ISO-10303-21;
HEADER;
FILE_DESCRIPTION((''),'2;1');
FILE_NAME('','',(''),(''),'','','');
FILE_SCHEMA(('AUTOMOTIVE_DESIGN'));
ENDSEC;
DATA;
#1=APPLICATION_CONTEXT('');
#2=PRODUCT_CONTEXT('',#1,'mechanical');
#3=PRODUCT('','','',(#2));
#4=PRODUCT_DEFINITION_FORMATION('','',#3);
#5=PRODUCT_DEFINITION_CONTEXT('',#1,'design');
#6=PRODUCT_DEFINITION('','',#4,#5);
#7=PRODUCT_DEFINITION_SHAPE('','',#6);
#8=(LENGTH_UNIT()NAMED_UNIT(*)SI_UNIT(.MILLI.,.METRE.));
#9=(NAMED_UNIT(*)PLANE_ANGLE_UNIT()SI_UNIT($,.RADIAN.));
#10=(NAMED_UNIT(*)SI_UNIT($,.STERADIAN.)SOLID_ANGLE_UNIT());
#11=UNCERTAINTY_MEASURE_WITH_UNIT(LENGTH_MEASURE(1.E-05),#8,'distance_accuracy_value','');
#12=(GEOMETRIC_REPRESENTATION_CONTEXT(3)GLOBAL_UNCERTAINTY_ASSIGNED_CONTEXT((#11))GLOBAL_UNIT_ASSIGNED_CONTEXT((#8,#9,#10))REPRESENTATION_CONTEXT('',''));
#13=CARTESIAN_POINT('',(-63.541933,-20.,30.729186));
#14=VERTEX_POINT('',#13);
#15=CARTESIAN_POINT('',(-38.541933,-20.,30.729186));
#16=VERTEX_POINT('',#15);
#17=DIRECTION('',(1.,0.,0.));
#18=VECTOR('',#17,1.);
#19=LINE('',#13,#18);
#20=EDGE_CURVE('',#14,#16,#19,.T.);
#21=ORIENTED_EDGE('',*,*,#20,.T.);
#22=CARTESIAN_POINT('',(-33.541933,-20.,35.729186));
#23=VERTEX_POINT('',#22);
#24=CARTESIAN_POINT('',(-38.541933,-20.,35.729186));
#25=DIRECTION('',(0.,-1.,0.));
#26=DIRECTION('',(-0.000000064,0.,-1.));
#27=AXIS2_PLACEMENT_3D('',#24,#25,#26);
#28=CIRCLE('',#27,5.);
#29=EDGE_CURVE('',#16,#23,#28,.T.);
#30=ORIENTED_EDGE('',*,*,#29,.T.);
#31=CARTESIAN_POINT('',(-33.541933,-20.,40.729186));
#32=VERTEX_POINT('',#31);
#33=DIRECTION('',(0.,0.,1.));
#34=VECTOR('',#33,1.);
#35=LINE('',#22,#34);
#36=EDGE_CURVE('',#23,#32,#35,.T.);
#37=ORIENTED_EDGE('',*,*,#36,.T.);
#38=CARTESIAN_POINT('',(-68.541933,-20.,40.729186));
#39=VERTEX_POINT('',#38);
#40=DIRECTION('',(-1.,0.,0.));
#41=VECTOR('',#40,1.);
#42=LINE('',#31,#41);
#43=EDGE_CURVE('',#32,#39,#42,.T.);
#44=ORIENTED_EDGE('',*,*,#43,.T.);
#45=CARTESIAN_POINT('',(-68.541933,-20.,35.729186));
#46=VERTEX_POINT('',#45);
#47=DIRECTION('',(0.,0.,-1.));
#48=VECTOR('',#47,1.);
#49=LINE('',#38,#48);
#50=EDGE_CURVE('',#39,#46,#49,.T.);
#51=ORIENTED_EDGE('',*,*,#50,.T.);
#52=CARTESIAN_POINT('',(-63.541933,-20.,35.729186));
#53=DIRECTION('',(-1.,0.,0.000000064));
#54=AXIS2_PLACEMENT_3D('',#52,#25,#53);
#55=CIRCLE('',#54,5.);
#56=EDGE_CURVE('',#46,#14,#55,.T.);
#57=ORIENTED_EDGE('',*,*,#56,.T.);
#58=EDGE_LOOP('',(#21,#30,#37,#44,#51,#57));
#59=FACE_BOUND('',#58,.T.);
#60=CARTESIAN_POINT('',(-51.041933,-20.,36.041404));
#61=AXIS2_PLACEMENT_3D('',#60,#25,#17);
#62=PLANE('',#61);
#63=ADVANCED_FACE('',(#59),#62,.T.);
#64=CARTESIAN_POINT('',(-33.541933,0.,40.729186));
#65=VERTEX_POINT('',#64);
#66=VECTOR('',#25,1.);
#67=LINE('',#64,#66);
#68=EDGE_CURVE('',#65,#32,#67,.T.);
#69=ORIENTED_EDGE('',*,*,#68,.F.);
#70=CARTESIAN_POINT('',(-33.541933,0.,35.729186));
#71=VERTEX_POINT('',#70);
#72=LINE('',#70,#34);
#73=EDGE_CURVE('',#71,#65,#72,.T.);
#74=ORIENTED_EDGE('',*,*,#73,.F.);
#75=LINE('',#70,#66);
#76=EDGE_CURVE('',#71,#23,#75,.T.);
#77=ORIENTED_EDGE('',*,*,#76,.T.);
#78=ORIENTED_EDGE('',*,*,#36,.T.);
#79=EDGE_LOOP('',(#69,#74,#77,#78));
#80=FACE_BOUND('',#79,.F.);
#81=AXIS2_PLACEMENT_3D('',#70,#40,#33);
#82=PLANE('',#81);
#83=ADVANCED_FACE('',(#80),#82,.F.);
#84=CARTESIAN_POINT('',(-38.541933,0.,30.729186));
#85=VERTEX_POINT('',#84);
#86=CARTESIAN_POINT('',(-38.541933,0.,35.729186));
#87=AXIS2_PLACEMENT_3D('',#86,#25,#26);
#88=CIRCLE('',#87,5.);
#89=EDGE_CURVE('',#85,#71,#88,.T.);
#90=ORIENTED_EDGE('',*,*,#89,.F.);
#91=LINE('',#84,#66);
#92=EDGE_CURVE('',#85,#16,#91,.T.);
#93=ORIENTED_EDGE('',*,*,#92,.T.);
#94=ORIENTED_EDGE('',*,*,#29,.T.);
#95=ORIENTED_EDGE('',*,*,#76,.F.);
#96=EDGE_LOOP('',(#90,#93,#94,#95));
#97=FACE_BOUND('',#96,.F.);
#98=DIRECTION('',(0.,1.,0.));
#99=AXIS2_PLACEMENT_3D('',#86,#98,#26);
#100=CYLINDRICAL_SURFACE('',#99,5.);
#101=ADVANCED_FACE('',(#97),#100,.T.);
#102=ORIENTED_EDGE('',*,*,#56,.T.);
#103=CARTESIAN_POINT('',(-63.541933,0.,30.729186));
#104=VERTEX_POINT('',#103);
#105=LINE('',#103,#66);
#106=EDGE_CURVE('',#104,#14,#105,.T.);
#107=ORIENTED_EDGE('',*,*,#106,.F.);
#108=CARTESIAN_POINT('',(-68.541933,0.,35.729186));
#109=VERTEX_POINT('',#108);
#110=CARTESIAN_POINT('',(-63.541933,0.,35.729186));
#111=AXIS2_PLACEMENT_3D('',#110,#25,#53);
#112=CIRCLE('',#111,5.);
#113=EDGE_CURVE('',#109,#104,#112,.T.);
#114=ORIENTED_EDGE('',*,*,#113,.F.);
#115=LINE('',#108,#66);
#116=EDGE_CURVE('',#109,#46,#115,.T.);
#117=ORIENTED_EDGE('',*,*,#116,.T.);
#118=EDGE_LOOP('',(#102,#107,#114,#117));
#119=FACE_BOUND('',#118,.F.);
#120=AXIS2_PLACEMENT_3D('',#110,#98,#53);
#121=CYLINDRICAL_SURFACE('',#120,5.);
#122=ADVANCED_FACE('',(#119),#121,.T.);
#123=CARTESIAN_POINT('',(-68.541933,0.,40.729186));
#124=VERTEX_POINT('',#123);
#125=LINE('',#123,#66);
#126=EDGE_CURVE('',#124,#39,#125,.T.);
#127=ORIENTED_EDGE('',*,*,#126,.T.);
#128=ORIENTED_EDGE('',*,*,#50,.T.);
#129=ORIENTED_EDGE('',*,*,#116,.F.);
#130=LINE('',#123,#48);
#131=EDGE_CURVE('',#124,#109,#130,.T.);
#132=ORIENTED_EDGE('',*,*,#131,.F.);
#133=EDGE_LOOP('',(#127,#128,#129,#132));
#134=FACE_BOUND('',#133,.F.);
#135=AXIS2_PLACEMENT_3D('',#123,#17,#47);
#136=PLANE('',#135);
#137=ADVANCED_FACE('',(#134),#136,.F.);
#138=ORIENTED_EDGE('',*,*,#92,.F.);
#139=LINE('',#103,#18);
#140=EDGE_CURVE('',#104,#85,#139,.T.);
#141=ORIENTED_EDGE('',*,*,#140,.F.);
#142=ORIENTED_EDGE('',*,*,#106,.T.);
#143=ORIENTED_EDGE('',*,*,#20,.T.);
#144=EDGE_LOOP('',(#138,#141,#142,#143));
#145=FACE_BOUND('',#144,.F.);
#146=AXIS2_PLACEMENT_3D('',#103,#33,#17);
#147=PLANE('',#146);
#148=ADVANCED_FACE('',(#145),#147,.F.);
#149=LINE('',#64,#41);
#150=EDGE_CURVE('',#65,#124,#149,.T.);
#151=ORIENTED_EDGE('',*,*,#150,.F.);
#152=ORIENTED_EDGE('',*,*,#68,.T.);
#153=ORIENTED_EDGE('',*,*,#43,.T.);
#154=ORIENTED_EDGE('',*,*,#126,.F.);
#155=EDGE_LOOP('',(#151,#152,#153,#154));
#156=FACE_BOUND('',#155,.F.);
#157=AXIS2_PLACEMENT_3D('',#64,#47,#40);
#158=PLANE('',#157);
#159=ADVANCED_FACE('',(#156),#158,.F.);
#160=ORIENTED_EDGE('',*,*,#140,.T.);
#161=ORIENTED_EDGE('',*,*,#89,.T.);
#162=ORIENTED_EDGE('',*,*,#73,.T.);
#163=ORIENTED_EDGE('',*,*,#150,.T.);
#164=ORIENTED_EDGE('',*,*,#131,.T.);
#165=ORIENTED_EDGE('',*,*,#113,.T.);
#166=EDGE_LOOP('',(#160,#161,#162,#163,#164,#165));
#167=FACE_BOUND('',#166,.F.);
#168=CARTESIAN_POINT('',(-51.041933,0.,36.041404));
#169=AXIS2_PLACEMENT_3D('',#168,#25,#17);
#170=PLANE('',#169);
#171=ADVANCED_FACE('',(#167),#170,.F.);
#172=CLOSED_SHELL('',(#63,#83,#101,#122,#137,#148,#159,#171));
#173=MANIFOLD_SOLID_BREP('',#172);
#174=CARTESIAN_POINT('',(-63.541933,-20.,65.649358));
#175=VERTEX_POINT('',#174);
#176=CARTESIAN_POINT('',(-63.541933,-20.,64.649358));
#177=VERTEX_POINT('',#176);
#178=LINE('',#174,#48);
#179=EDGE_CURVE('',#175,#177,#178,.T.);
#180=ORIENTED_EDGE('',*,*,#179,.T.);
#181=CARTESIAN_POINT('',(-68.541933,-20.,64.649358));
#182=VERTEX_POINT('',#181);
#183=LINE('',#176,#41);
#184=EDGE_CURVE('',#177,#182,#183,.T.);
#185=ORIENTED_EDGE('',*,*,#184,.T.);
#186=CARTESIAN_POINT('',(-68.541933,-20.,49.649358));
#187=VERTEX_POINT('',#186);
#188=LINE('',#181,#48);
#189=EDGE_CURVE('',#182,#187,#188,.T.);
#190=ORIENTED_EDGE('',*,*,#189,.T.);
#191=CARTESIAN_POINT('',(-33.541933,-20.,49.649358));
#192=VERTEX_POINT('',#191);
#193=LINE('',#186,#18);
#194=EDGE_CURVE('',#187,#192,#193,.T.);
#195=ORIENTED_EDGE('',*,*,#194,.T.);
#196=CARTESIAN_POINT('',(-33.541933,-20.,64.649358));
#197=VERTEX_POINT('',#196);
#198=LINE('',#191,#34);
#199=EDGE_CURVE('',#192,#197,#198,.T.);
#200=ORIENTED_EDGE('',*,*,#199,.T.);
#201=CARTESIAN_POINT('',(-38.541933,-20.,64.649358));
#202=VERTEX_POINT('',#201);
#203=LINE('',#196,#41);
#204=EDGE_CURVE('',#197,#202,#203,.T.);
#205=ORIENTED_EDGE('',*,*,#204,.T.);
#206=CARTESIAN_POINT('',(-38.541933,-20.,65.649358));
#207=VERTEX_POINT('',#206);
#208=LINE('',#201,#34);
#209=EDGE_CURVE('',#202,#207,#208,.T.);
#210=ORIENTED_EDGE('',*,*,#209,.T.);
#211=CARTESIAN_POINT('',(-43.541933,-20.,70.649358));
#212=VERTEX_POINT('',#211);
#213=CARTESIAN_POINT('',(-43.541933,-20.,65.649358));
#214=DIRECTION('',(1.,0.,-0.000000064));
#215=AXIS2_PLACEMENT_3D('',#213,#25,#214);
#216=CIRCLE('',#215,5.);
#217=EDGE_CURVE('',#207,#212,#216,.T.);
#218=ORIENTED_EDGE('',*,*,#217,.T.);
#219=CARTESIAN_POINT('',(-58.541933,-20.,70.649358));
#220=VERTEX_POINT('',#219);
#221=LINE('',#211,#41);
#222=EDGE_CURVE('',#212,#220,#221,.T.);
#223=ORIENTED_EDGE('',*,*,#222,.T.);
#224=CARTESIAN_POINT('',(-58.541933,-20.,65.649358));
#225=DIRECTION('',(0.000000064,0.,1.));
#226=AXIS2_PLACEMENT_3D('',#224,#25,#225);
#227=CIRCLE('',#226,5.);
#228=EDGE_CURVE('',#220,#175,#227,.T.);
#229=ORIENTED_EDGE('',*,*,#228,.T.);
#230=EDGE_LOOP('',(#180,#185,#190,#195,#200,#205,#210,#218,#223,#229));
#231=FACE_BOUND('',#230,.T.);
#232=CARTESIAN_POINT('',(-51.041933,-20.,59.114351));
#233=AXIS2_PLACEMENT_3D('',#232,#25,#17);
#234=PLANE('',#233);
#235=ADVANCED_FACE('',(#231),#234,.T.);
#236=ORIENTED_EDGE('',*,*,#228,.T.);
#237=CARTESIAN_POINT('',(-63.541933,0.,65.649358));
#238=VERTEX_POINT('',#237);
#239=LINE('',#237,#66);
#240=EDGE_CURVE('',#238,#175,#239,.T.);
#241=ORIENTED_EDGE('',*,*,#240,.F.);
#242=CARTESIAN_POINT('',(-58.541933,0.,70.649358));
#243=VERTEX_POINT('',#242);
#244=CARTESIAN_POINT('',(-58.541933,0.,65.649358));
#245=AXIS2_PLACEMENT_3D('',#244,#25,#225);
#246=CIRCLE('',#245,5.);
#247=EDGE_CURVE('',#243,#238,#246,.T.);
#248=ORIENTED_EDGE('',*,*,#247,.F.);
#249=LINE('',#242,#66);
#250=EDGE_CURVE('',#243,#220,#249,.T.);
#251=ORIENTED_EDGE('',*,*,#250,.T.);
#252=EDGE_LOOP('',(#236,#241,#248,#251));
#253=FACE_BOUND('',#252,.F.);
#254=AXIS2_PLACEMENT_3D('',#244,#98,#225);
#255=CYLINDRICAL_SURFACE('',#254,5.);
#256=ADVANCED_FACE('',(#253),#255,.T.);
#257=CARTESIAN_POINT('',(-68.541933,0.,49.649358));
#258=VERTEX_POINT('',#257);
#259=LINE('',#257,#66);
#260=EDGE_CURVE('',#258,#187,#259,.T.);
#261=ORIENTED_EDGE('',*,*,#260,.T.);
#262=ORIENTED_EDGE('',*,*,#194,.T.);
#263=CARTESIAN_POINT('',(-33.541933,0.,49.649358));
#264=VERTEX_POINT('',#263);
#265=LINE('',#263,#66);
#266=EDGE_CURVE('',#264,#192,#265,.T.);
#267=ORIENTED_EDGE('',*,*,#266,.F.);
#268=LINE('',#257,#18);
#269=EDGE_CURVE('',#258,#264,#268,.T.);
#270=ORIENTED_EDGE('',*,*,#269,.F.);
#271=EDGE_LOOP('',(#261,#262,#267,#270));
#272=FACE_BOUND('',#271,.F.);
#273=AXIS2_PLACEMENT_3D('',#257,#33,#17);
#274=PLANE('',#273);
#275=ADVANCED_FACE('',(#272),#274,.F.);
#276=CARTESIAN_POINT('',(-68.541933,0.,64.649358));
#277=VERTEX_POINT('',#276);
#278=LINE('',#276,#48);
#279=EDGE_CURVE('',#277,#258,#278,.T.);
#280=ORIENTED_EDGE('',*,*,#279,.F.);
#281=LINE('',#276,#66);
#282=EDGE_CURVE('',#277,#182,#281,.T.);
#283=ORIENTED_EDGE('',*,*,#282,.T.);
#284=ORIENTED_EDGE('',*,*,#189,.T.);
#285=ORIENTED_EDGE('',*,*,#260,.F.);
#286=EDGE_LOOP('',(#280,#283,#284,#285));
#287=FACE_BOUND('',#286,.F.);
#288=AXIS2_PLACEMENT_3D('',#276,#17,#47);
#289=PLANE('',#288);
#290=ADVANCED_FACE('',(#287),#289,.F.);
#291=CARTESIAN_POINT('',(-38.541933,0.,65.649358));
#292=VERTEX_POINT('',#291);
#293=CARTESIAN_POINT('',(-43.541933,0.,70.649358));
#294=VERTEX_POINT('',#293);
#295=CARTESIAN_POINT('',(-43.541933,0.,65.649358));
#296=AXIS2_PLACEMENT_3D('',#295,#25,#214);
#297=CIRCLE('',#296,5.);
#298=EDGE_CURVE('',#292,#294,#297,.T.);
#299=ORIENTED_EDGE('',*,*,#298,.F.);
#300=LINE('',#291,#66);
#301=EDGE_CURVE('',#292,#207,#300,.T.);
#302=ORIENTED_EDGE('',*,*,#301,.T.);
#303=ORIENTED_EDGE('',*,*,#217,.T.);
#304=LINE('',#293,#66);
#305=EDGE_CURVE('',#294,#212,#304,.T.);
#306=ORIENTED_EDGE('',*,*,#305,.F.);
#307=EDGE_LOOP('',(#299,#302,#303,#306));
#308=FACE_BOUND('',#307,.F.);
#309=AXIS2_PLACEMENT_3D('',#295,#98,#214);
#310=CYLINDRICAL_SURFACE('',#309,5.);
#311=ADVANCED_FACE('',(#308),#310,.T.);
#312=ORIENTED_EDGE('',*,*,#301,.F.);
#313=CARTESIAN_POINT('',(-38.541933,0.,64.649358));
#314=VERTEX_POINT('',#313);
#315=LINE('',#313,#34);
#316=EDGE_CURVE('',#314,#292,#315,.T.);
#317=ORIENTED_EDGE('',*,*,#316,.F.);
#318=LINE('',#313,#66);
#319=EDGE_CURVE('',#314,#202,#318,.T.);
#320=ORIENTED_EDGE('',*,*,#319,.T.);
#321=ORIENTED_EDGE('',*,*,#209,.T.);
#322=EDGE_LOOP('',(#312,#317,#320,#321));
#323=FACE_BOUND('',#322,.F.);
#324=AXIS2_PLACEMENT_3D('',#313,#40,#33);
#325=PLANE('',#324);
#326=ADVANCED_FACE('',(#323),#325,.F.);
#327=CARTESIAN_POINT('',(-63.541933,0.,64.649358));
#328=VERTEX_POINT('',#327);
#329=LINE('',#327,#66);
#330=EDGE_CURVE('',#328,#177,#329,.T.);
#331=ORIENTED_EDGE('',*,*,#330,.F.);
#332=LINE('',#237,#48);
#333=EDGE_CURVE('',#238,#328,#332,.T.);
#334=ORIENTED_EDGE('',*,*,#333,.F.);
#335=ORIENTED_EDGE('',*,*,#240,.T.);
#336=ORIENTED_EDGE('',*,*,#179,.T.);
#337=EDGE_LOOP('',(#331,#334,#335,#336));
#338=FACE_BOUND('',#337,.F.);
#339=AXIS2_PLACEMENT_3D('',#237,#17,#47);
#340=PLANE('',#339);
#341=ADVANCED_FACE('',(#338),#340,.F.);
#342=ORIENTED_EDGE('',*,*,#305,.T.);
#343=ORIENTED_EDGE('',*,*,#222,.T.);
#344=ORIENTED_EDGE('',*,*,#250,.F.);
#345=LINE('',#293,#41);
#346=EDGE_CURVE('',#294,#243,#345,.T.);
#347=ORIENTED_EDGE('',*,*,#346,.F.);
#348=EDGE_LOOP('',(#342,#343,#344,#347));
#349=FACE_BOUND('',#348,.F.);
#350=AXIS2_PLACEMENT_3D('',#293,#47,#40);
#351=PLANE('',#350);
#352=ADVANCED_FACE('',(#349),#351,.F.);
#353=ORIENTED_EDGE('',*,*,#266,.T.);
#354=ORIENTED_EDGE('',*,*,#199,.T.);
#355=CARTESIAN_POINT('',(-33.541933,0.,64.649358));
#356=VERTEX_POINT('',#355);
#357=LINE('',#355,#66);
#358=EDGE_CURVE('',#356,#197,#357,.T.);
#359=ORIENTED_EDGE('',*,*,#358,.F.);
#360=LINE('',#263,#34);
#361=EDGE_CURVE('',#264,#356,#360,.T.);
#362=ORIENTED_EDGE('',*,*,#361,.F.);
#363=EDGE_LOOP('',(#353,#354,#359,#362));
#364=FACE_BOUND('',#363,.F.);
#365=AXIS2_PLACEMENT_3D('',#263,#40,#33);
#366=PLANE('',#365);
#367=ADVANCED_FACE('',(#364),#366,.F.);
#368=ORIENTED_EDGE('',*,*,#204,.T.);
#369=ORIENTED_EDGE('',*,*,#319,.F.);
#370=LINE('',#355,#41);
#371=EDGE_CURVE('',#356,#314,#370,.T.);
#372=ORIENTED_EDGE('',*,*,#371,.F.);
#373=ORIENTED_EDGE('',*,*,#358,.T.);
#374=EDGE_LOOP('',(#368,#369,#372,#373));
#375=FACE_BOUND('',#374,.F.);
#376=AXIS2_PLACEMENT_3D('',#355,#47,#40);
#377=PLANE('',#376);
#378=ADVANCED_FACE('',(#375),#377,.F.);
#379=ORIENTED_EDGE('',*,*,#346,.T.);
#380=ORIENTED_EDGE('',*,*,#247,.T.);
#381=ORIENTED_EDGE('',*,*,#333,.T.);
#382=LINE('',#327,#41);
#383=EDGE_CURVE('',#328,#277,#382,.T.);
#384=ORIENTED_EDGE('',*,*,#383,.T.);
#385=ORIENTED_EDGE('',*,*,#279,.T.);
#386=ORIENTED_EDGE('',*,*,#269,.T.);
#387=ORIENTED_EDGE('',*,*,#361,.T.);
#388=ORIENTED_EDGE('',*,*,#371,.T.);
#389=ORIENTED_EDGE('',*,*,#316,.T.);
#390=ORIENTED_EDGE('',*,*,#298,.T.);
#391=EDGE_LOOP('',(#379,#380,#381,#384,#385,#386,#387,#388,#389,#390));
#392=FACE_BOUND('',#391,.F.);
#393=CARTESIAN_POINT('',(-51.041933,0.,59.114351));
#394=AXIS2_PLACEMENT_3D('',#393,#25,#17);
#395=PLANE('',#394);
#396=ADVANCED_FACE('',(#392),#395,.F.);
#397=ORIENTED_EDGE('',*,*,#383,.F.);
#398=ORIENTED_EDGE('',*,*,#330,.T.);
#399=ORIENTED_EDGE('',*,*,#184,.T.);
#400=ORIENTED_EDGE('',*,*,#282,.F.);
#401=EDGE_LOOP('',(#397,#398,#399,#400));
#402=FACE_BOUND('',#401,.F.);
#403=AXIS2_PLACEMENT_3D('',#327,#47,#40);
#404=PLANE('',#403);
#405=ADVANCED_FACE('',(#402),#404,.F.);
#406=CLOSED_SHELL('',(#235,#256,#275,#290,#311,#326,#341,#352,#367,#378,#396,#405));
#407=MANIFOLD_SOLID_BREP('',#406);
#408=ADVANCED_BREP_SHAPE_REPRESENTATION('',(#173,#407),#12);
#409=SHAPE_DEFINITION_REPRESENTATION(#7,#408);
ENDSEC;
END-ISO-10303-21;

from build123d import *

# Parameters (mm, degrees)
F1_DEPTH = 20


with BuildPart() as f1:
    # F0 (on Front) → F1 (new body)
    with BuildSketch(Plane.XZ):
        with BuildLine():
            Line((-33.541933, 40.729186), (-68.541933, 40.729186))
            Line((-68.541933, 40.729186), (-68.541933, 35.729186))
            ThreePointArc((-68.541933, 35.729186), (-67.077467, 32.193652), (-63.541933, 30.729186))
            Line((-63.541933, 30.729186), (-38.541933, 30.729186))
            ThreePointArc((-38.541933, 30.729186), (-35.006399, 32.193652), (-33.541933, 35.729186))
            Line((-33.541933, 35.729186), (-33.541933, 40.729186))
        make_face()
        with BuildLine():
            Line((-68.541933, 64.649358), (-68.541933, 49.649358))
            Line((-68.541933, 49.649358), (-33.541933, 49.649358))
            Line((-33.541933, 49.649358), (-33.541933, 64.649358))
            Line((-33.541933, 64.649358), (-38.541933, 64.649358))
            Line((-38.541933, 64.649358), (-38.541933, 65.649358))
            ThreePointArc((-38.541933, 65.649358), (-40.006399, 69.184892), (-43.541933, 70.649358))
            Line((-43.541933, 70.649358), (-58.541933, 70.649358))
            ThreePointArc((-58.541933, 70.649358), (-62.077467, 69.184892), (-63.541933, 65.649358))
            Line((-63.541933, 65.649358), (-63.541933, 64.649358))
            Line((-63.541933, 64.649358), (-68.541933, 64.649358))
        make_face()
    extrude(amount=F1_DEPTH)


solid = f1.part
